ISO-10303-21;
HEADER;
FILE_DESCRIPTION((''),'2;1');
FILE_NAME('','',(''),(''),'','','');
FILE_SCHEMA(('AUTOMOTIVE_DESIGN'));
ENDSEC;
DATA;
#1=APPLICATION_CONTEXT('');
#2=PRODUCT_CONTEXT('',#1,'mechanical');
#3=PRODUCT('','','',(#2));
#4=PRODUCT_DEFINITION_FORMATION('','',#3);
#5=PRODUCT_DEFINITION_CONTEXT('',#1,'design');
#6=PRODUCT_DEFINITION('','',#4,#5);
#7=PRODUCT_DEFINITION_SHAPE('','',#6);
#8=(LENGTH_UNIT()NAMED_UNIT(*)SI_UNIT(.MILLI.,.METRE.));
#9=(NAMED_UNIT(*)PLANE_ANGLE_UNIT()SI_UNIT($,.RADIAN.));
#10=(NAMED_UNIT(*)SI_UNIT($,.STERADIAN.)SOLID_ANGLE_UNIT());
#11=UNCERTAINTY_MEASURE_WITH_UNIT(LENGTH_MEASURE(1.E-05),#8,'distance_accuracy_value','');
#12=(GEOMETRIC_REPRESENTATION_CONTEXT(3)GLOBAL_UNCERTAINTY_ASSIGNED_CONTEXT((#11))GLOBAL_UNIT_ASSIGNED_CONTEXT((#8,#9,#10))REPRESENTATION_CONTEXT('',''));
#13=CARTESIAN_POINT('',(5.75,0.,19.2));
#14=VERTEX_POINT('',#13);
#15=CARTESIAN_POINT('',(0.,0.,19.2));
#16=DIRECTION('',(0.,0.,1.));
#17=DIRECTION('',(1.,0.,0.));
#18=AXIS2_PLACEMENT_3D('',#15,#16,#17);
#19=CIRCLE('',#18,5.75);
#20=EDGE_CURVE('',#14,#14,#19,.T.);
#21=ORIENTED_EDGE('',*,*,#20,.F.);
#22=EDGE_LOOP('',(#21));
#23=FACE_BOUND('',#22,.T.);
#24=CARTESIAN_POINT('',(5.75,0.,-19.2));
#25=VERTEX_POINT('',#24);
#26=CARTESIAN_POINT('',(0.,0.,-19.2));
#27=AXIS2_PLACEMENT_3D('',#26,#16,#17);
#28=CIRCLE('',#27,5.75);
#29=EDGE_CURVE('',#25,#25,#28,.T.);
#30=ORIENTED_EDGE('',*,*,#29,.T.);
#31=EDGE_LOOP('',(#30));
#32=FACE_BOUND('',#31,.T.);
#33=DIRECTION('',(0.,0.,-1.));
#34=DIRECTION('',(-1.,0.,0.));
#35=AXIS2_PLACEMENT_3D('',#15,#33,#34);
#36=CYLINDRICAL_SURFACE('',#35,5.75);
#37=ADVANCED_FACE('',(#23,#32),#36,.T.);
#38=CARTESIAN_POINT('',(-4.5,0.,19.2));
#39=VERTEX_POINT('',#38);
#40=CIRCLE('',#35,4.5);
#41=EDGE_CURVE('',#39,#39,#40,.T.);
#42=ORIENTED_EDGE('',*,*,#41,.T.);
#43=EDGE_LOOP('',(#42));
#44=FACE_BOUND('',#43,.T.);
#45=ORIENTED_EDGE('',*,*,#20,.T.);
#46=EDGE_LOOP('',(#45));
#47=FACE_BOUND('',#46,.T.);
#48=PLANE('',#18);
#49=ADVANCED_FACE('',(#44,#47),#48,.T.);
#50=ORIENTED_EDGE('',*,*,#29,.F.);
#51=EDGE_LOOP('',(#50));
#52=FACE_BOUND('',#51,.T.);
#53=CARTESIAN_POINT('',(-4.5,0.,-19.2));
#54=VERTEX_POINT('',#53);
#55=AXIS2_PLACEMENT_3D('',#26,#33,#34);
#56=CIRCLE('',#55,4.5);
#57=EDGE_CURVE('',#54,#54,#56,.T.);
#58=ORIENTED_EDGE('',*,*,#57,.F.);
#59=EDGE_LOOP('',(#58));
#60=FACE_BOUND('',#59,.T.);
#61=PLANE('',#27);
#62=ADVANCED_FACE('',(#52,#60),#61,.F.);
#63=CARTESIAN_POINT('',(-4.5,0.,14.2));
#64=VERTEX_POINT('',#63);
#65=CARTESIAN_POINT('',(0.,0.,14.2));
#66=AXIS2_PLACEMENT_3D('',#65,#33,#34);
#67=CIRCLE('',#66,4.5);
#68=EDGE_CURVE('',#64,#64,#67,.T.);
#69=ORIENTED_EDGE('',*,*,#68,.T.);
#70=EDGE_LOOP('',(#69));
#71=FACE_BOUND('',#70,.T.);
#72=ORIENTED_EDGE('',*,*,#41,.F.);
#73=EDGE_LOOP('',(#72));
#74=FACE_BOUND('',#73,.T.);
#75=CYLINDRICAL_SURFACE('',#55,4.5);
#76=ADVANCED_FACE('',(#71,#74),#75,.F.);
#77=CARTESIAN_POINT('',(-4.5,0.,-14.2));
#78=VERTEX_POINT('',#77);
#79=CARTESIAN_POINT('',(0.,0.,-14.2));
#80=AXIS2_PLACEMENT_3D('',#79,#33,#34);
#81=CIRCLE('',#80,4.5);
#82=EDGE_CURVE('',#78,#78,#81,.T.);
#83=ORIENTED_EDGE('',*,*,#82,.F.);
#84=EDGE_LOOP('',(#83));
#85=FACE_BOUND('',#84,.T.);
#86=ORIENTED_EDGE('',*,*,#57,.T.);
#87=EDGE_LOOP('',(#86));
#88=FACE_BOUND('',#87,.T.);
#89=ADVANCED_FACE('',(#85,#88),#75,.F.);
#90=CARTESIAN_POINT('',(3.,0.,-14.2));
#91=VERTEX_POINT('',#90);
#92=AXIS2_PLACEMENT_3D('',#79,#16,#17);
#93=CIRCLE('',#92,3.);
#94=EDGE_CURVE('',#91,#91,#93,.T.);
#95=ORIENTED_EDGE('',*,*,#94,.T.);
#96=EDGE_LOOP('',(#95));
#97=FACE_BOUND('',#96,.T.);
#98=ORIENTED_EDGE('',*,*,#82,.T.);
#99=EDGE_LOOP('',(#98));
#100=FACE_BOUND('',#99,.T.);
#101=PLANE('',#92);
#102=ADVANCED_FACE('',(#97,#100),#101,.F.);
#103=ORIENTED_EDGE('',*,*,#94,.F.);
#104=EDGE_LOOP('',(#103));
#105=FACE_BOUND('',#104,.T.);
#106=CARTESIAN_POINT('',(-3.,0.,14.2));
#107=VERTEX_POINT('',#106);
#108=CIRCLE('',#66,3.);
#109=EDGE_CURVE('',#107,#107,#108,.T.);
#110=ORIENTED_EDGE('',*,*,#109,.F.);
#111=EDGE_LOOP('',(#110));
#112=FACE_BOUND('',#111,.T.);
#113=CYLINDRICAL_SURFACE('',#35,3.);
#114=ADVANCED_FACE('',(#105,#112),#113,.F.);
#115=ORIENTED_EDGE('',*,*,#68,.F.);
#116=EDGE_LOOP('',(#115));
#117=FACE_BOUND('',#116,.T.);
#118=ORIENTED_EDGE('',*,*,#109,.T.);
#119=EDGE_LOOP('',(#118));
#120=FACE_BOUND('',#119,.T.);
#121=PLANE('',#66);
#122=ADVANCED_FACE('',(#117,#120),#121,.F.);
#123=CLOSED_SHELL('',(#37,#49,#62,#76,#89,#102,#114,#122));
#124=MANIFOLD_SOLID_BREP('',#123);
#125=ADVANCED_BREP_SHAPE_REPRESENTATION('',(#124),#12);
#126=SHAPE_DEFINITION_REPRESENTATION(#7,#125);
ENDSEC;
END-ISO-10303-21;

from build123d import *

# Parameters (mm, degrees)
SKETCH2_R           = 5.75
SKETCH2_R_2         = 3
BOSS_EXTRUDE1_DEPTH = 19.2
SKETCH5_W           = 5
SKETCH5_H           = 4.5


with BuildPart() as part:
    # Sketch2 → Boss-Extrude1 (new, symmetric)
    with BuildSketch(Plane.XY):
        Circle(SKETCH2_R)
        Circle(SKETCH2_R_2, mode=Mode.SUBTRACT)
    extrude(amount=BOSS_EXTRUDE1_DEPTH, both=True)

    # Sketch5 → Cut-Revolve1 (revolve, cut)
    with BuildSketch(Plane(origin=(0, 0, 0), x_dir=(0, 0, -1), z_dir=(1, 0, 0)), mode=Mode.PRIVATE) as cut_revolve1_sk:
        with Locations((16.7, 2.25)):
            Rectangle(SKETCH5_W, SKETCH5_H)
        with Locations((-16.7, 2.25)):
            Rectangle(SKETCH5_W, SKETCH5_H)
    revolve(cut_revolve1_sk.sketch.rotate(Axis((0, 0, -19.2), (0, 0, 1)), 90), axis=Axis((0, 0, -19.2), (0, 0, 1)), mode=Mode.SUBTRACT)


solid = part.part
